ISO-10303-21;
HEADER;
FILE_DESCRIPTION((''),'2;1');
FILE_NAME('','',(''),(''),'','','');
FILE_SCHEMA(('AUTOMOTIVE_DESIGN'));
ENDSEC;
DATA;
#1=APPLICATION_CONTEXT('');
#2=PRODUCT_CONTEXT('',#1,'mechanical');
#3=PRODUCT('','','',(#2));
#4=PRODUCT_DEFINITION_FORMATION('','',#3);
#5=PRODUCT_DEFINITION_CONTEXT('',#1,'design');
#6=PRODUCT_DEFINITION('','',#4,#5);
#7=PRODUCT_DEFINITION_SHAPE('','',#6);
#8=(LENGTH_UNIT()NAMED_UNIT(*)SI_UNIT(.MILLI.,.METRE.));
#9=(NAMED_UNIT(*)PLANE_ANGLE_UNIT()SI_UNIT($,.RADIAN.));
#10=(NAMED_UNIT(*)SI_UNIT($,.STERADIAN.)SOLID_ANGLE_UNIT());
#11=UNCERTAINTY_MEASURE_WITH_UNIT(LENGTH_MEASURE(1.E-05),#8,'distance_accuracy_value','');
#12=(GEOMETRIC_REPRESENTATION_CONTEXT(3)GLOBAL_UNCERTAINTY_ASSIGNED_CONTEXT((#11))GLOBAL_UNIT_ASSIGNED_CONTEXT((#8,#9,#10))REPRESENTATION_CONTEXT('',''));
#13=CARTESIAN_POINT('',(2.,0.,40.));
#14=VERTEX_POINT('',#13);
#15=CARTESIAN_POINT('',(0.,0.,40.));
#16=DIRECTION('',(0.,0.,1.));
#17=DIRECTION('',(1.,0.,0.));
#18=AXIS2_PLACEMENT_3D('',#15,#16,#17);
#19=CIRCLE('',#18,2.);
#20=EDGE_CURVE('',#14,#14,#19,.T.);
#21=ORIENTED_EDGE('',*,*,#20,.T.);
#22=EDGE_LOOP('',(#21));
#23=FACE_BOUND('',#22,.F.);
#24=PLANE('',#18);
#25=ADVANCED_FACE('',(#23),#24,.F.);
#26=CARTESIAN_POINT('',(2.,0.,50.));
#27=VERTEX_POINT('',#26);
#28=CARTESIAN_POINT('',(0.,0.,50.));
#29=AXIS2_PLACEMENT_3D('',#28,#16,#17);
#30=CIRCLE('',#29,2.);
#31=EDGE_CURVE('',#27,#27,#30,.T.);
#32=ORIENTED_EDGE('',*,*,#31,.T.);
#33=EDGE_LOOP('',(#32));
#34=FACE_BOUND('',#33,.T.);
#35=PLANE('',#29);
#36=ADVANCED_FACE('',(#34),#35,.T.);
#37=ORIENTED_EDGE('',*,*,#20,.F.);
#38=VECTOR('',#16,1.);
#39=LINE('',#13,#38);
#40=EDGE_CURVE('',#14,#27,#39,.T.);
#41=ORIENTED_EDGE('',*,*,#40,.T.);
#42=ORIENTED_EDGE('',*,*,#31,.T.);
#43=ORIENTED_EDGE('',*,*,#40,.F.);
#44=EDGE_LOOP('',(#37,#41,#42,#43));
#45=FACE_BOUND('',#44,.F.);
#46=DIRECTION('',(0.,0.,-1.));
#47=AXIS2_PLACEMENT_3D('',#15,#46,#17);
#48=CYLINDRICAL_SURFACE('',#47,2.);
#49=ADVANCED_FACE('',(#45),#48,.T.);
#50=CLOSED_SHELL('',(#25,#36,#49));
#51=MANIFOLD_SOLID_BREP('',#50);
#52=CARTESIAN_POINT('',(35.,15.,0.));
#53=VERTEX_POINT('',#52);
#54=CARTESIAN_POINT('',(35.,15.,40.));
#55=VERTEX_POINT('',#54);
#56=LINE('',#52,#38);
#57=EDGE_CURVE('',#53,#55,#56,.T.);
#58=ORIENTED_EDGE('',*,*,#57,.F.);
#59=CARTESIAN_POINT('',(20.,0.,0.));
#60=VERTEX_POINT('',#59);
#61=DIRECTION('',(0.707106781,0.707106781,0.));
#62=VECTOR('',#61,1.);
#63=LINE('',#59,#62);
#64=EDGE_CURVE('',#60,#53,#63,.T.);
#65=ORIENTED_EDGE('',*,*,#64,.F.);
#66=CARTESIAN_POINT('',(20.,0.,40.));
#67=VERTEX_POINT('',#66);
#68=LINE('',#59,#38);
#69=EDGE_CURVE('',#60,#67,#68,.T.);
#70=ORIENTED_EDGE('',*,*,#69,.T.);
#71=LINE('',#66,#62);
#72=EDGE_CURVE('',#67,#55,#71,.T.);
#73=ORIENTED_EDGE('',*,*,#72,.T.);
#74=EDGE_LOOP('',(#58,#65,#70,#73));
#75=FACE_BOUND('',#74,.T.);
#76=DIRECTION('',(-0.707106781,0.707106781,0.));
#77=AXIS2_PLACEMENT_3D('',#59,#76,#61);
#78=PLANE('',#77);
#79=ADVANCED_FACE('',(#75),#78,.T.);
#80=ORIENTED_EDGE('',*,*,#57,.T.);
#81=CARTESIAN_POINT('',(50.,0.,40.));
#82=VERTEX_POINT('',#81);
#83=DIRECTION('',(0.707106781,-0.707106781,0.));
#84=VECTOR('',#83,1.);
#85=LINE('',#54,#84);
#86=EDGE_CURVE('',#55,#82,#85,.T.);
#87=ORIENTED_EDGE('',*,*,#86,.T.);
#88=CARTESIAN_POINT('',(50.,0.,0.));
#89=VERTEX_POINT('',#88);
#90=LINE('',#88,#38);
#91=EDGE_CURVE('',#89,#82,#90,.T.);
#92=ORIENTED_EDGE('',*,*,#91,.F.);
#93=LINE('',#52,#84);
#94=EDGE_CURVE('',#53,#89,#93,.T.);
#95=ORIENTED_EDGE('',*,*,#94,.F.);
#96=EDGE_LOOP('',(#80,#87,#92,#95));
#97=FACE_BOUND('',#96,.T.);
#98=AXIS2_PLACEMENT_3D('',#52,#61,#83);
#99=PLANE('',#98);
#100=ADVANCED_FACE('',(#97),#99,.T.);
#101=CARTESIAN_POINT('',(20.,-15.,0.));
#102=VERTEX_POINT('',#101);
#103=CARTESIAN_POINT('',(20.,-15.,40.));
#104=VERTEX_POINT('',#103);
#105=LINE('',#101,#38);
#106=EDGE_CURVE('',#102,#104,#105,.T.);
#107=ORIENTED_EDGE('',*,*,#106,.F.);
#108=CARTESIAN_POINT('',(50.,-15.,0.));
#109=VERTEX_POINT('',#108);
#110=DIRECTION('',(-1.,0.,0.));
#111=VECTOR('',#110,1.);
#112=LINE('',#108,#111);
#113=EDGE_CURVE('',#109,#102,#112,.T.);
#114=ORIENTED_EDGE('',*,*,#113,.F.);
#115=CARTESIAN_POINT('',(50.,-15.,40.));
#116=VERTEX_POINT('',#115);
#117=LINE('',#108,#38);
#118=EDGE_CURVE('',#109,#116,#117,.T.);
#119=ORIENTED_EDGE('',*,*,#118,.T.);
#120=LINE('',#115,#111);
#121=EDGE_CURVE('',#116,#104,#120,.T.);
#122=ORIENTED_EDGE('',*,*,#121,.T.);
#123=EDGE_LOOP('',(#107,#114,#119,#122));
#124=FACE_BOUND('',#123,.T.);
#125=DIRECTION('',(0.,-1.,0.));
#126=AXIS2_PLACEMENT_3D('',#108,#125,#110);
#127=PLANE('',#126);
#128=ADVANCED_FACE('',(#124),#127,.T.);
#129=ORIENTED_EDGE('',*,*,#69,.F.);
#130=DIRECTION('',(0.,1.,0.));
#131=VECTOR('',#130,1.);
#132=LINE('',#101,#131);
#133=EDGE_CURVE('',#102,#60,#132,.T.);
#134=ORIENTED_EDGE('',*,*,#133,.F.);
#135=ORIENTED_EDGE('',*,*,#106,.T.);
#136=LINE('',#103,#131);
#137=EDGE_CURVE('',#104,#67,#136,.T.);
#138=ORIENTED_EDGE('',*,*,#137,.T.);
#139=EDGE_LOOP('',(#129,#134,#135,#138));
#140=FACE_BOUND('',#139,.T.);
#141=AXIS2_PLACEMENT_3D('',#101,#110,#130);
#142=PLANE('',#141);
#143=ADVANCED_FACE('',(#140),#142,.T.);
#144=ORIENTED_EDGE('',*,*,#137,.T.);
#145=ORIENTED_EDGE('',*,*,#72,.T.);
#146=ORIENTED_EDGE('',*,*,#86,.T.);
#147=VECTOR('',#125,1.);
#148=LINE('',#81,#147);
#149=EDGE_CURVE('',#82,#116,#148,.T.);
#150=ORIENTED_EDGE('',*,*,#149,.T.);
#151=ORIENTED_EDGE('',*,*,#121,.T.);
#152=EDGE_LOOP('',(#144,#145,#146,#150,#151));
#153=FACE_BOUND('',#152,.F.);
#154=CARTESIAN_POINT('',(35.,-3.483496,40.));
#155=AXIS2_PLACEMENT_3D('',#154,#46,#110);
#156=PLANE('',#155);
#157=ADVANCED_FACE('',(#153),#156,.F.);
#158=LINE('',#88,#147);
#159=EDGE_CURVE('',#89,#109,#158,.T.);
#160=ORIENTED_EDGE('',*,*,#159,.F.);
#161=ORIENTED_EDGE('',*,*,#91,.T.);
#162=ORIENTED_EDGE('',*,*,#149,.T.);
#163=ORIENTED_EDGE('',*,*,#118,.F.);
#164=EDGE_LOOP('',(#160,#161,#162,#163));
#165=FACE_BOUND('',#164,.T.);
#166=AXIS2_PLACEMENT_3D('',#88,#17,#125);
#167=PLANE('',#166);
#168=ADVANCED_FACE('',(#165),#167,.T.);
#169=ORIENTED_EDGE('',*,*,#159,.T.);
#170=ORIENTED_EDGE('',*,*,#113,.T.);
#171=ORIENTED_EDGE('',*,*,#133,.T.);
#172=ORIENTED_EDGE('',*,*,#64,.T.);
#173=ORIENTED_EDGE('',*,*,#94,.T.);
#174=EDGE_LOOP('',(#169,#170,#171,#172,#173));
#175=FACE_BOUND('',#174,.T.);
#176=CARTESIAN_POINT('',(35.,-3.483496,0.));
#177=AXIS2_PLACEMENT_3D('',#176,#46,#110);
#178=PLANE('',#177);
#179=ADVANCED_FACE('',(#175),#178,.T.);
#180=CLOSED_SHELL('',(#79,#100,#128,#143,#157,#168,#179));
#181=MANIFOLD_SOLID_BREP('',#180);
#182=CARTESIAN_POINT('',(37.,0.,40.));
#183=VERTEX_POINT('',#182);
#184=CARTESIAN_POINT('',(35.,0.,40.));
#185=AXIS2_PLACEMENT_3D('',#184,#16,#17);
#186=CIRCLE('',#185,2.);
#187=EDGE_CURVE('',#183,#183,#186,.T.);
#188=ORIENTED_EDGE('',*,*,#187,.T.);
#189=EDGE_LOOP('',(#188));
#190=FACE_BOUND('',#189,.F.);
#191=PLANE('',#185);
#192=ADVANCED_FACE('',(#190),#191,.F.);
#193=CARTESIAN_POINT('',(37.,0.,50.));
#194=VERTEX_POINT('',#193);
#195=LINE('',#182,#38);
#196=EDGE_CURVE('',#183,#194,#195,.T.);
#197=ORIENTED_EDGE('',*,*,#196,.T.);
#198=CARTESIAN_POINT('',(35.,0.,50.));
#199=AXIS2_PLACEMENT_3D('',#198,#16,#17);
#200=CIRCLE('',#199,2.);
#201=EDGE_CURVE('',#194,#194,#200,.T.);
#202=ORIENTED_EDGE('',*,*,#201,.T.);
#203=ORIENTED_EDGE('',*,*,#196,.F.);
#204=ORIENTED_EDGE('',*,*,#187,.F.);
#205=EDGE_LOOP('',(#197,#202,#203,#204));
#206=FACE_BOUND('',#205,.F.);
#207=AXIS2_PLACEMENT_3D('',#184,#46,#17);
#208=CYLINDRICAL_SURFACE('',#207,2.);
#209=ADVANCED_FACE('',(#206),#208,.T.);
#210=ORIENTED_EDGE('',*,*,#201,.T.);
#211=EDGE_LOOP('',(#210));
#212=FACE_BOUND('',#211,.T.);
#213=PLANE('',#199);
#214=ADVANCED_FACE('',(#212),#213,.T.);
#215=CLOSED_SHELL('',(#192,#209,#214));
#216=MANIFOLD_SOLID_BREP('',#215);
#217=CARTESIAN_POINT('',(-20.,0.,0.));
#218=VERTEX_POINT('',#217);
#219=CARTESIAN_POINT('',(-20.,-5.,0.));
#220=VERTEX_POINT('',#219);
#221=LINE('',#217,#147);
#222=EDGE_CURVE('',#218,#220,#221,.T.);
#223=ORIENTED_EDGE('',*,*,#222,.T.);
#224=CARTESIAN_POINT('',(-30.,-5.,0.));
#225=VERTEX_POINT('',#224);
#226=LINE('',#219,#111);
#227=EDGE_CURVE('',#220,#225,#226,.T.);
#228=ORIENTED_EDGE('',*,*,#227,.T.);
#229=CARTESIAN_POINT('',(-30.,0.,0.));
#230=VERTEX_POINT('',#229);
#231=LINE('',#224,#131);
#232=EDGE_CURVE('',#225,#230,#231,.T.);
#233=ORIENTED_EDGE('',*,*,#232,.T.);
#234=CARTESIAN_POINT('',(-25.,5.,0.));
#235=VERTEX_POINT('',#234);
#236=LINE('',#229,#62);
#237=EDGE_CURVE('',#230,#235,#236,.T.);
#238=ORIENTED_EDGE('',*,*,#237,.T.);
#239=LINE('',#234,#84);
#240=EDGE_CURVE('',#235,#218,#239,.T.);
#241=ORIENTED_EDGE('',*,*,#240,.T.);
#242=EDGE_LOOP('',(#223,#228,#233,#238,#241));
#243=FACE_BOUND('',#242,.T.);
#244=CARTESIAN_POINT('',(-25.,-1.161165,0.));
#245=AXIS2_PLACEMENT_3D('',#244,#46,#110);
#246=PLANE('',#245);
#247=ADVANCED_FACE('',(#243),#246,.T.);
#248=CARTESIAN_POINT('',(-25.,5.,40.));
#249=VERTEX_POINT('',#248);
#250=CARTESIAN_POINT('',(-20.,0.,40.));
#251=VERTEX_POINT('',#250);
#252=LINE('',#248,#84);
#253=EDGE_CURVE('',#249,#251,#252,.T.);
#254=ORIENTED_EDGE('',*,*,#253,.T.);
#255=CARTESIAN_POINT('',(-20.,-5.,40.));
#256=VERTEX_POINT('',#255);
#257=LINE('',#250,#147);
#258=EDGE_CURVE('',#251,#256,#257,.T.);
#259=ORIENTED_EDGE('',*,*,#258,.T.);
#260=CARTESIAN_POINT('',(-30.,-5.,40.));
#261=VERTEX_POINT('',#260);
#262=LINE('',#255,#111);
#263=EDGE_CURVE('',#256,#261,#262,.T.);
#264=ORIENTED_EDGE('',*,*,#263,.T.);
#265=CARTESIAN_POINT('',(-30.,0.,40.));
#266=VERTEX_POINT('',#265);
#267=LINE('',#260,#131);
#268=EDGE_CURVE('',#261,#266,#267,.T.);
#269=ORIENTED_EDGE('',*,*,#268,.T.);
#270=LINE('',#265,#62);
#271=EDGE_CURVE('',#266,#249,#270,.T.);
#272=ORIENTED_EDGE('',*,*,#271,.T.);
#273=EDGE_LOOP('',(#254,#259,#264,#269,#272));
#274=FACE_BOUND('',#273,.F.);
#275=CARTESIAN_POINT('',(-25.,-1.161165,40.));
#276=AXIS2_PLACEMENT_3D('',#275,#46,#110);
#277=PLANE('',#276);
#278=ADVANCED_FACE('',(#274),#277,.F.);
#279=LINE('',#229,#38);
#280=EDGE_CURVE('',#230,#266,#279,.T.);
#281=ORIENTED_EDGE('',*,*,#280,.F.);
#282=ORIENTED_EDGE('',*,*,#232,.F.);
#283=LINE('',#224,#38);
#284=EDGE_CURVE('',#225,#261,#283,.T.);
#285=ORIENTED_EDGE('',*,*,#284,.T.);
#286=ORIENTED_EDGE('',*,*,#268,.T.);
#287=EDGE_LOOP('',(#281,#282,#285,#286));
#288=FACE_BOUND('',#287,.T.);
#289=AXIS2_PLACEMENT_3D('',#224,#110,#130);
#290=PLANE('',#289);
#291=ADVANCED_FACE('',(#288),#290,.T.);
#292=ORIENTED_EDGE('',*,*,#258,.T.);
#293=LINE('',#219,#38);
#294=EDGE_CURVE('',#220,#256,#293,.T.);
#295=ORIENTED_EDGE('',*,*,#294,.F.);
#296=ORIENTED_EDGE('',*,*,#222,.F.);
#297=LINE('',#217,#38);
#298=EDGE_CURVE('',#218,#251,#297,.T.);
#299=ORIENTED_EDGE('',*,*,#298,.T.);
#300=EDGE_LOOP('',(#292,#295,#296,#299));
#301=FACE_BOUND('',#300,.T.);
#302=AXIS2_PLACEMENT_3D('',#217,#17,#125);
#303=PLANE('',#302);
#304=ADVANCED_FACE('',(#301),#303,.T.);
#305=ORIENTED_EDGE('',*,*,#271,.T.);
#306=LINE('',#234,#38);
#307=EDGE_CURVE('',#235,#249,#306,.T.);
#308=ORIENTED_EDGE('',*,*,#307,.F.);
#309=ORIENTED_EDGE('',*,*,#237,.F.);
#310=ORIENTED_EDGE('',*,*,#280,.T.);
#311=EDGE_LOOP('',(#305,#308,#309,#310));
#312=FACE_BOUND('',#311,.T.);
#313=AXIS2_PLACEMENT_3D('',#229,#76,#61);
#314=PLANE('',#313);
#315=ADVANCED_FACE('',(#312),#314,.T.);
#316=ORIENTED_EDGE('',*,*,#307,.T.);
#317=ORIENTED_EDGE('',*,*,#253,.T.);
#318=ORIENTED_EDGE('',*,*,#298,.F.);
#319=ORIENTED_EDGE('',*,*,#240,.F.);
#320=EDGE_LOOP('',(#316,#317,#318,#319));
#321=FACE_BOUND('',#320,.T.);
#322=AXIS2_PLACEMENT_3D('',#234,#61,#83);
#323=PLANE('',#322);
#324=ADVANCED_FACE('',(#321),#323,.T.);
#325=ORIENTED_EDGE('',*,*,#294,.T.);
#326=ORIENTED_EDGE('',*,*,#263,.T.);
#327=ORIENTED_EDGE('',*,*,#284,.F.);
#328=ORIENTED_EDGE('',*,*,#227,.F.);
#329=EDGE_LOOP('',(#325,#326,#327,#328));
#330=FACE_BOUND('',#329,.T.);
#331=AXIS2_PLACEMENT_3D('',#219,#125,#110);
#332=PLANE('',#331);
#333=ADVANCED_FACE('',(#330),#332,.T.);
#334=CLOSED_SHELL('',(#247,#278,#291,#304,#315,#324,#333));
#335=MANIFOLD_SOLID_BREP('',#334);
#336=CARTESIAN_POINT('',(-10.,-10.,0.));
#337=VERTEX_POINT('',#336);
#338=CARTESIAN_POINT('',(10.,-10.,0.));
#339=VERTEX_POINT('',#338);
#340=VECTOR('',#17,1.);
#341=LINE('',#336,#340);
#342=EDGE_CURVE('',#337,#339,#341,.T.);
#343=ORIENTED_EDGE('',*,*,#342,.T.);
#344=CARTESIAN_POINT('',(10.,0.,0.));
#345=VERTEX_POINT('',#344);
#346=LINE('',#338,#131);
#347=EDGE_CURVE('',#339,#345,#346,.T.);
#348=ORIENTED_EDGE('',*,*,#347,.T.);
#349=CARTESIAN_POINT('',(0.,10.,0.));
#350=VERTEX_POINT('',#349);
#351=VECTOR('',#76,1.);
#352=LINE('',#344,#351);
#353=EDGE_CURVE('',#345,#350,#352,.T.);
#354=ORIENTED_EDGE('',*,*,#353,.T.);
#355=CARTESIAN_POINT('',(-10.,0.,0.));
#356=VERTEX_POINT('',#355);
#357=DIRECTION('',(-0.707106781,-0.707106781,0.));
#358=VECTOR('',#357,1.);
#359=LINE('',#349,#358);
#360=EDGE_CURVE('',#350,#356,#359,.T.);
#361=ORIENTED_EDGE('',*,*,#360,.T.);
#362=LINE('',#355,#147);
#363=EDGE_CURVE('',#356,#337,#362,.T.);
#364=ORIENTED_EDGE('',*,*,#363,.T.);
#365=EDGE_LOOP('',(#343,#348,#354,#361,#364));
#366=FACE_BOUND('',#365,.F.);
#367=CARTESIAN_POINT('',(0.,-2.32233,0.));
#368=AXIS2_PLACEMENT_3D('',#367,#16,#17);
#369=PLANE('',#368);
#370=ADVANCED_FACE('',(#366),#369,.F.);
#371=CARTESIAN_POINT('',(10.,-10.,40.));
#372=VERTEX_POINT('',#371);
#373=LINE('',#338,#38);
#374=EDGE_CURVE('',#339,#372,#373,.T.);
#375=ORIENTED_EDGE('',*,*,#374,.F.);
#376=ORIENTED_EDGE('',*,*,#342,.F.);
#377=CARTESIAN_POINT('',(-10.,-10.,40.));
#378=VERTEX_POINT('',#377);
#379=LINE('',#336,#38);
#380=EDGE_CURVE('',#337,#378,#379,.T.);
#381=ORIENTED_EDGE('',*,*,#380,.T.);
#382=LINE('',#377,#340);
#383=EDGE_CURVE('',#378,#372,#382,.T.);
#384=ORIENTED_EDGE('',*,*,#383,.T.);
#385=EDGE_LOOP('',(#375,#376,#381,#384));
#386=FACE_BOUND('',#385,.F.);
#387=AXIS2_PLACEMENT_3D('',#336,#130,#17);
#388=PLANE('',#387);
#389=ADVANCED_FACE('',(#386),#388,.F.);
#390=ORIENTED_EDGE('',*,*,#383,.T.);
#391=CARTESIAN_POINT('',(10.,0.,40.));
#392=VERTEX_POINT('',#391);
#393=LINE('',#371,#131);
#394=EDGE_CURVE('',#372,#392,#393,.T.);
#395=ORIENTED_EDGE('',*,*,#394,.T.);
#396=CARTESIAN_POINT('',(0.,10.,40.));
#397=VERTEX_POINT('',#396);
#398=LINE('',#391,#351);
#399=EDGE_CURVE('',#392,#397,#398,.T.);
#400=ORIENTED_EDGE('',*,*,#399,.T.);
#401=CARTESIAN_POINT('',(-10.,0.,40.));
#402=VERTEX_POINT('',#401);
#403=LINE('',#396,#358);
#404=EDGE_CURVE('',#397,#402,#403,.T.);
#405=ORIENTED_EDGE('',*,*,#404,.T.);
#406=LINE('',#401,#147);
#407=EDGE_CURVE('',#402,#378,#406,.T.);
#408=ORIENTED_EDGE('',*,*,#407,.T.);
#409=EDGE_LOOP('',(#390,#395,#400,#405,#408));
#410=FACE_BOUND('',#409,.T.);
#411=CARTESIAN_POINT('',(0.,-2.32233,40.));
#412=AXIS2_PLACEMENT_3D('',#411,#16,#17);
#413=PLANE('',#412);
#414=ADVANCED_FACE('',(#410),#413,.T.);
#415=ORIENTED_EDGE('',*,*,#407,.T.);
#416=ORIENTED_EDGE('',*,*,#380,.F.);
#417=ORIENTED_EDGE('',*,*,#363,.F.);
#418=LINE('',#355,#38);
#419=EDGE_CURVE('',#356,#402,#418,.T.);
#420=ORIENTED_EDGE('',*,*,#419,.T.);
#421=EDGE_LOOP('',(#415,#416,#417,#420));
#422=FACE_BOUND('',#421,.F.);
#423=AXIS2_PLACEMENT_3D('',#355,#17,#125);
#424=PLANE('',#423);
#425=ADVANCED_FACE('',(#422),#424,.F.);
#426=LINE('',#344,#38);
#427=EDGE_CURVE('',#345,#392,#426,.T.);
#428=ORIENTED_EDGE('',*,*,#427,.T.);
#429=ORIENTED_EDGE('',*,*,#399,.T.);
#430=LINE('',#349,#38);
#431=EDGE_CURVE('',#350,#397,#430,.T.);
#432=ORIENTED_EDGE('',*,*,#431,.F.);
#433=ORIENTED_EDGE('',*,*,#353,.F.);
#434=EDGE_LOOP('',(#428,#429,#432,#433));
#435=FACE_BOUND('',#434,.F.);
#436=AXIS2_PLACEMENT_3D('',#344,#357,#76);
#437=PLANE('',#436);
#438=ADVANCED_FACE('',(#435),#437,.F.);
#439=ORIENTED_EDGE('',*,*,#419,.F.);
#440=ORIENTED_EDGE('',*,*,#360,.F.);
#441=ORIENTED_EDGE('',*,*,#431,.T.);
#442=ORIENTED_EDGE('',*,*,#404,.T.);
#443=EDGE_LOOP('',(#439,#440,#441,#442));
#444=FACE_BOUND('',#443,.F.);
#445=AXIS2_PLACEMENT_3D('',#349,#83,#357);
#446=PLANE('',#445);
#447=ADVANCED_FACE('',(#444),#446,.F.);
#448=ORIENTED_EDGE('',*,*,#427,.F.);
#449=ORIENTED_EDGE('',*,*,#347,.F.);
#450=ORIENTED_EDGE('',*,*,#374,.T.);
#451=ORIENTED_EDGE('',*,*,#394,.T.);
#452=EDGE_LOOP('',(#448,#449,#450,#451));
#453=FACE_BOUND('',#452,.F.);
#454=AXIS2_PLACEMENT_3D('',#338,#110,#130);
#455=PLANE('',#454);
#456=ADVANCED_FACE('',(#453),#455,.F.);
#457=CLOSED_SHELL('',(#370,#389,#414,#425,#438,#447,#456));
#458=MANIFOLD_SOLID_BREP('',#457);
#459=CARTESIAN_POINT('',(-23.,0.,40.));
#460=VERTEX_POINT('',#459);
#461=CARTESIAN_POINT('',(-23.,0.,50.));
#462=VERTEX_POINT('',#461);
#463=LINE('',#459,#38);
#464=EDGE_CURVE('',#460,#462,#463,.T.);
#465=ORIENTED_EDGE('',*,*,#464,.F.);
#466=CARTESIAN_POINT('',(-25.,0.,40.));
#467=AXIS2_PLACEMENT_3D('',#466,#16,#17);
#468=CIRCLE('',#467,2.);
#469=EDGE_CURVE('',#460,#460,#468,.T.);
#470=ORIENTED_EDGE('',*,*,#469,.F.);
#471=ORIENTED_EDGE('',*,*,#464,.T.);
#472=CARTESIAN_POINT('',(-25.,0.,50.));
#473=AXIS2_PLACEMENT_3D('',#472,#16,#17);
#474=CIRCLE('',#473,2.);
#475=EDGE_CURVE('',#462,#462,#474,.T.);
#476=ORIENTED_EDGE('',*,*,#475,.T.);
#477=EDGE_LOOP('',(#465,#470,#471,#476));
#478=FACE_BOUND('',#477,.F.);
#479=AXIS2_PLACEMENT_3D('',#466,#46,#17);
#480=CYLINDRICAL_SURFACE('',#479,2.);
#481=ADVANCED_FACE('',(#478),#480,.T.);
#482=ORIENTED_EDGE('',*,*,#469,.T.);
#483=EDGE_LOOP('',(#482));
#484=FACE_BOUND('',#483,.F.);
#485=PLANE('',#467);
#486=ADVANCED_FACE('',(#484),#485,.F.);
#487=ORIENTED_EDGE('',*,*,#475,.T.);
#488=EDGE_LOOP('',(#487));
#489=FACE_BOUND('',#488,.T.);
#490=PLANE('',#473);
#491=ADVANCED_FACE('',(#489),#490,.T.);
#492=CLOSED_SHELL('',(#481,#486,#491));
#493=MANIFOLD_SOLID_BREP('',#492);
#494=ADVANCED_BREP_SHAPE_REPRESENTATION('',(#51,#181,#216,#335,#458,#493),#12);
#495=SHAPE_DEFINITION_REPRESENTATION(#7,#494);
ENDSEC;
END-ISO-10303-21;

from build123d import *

# Parameters (mm, degrees)
EXTRUDE_DEPTH     = 40
CYLINDER_R        = 2
CYLINDER_DEPTH    = 10
CYLINDER001_R     = 2
CYLINDER001_DEPTH = 10
CYLINDER002_R     = 2
CYLINDER002_DEPTH = 10


with BuildPart() as extrude_body:
    # Sketch → Extrude (new body)
    with BuildSketch(Plane.XY):
        Polygon((0, 10), (-10, 0), (-10, -10), (10, -10), (10, 0), align=None)
        Polygon((-30, 0), (-25, 5), (-20, 0), (-20, -5), (-30, -5), align=None)
        Polygon((20, 0), (35, 15), (50, 0), (50, -15), (20, -15), align=None)
    extrude(amount=EXTRUDE_DEPTH)


with BuildPart() as cylinder:
    # Cylinder → Cylinder (new body)
    with BuildSketch(Plane.XY.offset(40)):
        Circle(CYLINDER_R)
    extrude(amount=CYLINDER_DEPTH)


with BuildPart() as cylinder001:
    # Cylinder001 → Cylinder001 (new body)
    with BuildSketch(Plane(origin=(35, 0, 40), x_dir=(1, 0, 0), z_dir=(0, 0, 1))):
        Circle(CYLINDER001_R)
    extrude(amount=CYLINDER001_DEPTH)


with BuildPart() as cylinder002:
    # Cylinder002 → Cylinder002 (new body)
    with BuildSketch(Plane(origin=(-25, 0, 40), x_dir=(1, 0, 0), z_dir=(0, 0, 1))):
        Circle(CYLINDER002_R)
    extrude(amount=CYLINDER002_DEPTH)


solid = Compound([extrude_body.part, cylinder.part, cylinder001.part, cylinder002.part])
